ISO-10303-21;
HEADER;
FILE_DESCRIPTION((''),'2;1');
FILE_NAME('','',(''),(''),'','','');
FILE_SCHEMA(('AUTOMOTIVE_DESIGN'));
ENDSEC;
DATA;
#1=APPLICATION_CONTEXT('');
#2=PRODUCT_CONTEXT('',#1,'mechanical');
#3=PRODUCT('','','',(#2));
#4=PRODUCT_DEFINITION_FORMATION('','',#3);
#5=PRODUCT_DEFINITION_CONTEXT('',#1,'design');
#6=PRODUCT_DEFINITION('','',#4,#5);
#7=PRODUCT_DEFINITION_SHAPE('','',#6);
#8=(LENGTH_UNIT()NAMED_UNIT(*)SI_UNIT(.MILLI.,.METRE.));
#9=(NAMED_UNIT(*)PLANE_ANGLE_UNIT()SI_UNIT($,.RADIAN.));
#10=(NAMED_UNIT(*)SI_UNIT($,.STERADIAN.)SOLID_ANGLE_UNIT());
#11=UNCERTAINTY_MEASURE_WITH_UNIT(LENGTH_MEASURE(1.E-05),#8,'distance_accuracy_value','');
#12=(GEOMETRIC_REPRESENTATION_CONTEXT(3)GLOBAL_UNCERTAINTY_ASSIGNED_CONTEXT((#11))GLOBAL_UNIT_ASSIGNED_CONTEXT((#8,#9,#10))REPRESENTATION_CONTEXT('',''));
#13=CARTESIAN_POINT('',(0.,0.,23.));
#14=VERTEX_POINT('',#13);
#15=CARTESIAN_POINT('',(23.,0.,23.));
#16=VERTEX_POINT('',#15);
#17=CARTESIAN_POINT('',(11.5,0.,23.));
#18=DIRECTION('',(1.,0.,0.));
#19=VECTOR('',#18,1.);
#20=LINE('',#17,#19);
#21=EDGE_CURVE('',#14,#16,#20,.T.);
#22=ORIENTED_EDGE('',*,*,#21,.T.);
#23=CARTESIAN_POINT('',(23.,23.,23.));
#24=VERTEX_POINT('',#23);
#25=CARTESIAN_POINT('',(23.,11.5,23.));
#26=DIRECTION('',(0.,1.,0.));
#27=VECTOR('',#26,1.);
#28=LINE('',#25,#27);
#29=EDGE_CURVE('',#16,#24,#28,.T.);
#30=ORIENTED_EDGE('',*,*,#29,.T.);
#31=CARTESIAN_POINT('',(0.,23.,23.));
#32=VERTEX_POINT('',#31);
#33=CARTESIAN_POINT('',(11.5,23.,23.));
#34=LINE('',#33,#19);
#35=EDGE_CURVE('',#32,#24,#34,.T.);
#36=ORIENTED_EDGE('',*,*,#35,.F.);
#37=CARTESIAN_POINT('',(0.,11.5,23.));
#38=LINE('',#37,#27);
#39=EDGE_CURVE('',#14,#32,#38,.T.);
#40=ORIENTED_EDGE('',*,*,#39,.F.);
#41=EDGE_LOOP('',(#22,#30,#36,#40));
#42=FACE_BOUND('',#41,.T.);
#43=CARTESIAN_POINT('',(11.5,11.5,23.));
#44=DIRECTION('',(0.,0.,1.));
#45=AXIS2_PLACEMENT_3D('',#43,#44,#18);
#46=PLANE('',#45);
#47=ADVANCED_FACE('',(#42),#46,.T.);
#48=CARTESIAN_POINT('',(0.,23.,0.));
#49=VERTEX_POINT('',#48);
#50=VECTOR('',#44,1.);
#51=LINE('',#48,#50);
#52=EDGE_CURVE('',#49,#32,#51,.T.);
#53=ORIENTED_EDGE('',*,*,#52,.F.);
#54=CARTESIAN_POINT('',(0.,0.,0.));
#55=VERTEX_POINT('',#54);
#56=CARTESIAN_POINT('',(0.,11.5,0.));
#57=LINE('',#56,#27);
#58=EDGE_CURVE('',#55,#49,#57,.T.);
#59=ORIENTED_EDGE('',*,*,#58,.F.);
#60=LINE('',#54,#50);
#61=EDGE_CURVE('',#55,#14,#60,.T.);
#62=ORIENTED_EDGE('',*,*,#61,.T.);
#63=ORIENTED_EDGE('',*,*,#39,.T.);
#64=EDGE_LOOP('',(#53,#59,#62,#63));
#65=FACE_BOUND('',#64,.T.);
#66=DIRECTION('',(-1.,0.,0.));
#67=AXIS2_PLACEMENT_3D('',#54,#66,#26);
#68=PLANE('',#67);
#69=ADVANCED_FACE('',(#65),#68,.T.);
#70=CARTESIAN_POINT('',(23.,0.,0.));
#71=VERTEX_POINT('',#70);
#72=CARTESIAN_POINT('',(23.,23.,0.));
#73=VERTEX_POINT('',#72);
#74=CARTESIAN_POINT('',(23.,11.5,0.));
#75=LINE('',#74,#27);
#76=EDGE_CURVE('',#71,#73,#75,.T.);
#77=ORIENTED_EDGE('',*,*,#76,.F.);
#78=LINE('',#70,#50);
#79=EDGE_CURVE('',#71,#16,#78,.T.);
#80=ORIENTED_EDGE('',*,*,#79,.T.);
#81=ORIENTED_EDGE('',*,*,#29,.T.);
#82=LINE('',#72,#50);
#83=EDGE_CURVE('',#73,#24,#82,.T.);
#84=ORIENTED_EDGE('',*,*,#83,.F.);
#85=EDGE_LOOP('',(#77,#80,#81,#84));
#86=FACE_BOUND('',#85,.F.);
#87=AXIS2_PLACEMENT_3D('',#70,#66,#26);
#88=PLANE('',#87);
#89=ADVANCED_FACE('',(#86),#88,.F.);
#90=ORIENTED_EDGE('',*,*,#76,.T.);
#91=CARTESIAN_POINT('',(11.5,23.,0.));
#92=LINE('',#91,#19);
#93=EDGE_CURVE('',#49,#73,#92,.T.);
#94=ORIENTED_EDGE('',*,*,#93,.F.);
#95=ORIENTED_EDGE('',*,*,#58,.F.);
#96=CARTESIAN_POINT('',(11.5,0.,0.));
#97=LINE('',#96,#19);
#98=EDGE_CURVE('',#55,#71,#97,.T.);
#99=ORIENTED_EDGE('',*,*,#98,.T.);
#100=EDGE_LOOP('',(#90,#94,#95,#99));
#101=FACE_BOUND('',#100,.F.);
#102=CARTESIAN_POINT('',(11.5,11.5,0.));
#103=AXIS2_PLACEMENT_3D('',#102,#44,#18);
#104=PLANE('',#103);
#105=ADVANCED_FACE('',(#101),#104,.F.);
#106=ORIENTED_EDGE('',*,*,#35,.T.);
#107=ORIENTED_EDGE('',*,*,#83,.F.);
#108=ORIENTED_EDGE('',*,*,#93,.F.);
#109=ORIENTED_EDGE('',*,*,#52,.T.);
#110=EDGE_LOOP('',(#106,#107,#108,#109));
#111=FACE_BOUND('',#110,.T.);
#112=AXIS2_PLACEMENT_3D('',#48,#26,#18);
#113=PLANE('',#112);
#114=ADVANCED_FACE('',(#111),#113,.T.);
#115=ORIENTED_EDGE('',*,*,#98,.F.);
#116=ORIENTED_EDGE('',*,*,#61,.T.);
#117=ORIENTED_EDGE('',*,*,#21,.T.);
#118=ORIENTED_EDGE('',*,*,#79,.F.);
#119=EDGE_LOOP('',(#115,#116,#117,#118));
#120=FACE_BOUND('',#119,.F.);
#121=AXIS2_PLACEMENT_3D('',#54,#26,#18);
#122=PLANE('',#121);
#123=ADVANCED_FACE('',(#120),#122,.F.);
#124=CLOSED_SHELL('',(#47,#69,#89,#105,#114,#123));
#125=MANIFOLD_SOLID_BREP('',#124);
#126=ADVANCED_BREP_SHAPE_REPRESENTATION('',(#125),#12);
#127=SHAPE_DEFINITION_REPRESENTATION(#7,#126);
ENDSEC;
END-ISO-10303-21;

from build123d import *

# Parameters (mm, degrees)
CUBE_W     = 23
CUBE_H     = 23
CUBE_DEPTH = 23


with BuildPart() as part:
    # Cube → Cube (new body)
    with BuildSketch(Plane.XY):
        with Locations((11.5, 11.5)):
            Rectangle(CUBE_W, CUBE_H)
    extrude(amount=CUBE_DEPTH)


solid = part.part
